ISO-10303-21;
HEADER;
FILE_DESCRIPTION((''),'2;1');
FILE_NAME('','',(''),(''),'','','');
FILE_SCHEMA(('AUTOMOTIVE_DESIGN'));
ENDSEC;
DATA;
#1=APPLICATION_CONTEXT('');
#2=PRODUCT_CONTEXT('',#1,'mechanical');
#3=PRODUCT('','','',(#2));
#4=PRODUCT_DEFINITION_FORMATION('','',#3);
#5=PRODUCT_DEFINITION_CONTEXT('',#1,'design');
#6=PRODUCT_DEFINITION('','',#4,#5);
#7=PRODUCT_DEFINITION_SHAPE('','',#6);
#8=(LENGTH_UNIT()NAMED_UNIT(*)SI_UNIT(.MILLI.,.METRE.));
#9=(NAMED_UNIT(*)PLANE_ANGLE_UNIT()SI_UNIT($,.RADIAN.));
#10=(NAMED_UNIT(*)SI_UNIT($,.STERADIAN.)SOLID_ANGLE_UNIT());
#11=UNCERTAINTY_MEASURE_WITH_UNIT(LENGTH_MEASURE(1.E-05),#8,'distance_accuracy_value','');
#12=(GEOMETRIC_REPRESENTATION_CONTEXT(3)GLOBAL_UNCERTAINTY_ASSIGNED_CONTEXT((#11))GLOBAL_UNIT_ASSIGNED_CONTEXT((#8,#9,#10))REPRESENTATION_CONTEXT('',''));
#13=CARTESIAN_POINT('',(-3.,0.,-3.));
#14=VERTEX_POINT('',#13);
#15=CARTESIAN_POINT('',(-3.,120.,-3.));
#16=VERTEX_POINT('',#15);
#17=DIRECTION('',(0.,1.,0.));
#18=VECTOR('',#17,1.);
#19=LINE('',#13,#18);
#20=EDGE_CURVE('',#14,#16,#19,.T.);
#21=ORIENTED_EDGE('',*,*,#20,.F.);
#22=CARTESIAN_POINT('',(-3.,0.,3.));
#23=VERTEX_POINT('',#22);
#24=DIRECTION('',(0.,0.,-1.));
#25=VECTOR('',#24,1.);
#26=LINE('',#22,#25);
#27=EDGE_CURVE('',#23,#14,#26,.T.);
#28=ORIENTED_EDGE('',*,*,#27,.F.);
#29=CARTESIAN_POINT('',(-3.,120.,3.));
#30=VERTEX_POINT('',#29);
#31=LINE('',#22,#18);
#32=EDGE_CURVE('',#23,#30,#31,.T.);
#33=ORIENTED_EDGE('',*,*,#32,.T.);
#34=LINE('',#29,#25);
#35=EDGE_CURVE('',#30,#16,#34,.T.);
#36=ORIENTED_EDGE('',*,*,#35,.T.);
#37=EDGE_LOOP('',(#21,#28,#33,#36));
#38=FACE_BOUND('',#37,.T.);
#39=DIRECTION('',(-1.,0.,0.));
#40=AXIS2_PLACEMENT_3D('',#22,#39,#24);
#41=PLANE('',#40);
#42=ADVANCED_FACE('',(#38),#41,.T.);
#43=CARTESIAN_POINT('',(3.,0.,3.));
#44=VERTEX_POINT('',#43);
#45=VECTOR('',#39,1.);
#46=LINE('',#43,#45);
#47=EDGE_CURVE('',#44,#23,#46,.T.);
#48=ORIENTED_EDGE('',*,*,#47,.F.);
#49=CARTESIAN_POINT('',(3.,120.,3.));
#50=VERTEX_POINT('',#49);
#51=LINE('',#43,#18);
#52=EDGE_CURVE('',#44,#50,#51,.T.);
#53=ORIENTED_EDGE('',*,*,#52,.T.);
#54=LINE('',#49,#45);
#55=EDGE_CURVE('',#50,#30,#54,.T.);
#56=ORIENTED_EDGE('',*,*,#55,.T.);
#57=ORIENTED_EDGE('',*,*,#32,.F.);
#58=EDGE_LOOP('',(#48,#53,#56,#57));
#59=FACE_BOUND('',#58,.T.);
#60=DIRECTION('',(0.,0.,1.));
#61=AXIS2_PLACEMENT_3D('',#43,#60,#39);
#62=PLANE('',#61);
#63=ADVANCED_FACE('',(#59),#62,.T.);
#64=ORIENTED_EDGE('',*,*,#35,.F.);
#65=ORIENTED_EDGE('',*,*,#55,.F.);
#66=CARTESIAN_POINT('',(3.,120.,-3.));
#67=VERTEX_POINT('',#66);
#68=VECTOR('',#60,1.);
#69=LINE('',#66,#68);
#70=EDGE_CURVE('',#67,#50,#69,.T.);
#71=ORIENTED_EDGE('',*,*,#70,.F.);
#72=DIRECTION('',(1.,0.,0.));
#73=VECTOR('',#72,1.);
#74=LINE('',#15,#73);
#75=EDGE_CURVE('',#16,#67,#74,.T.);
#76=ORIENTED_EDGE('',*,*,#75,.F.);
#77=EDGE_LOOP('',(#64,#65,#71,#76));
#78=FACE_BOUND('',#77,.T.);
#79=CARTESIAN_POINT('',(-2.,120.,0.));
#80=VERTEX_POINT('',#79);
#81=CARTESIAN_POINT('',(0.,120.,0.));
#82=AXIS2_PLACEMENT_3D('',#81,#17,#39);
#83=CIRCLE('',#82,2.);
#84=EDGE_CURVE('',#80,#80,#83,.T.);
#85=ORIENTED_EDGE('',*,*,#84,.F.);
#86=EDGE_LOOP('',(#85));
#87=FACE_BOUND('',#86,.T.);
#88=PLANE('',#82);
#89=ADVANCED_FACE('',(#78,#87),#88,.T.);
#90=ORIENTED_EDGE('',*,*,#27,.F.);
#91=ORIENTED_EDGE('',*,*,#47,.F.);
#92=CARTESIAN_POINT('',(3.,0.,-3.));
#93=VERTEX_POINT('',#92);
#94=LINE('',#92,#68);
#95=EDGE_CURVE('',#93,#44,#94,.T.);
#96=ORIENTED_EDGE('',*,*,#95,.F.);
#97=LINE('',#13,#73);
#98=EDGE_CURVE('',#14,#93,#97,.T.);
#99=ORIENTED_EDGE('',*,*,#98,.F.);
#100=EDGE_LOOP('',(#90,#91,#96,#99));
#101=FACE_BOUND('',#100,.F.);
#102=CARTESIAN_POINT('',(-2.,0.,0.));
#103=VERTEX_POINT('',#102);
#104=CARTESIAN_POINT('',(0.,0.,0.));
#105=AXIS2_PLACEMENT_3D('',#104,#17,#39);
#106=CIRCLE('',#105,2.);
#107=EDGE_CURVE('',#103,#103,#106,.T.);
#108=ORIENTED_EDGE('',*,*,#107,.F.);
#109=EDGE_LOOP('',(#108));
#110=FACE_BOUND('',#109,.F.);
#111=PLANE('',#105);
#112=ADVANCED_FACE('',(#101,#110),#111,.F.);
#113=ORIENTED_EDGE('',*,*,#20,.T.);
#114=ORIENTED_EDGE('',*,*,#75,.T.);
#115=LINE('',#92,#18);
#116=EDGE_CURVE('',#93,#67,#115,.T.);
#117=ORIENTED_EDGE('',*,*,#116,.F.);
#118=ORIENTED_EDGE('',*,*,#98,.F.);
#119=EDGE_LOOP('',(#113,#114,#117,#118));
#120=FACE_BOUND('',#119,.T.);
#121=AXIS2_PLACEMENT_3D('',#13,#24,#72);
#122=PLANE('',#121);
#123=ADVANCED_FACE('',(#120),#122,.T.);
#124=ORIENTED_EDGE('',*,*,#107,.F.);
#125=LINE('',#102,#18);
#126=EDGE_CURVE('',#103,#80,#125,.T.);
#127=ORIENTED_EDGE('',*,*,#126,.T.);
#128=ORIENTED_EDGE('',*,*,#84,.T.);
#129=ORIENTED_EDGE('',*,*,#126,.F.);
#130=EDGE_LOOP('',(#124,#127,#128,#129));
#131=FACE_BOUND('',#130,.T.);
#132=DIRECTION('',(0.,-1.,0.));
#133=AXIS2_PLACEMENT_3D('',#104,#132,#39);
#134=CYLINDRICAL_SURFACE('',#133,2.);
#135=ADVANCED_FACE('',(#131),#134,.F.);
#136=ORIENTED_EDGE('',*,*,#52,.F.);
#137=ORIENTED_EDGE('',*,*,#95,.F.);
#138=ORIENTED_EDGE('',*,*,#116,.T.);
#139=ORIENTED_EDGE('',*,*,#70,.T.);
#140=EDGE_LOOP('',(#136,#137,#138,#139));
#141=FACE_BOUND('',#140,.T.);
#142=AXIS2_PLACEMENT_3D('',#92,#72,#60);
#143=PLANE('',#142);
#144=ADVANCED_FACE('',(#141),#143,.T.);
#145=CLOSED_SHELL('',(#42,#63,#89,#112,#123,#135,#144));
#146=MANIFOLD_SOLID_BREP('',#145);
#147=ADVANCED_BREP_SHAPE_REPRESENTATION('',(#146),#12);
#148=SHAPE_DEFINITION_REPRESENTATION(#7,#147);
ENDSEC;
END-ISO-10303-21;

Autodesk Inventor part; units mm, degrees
ref_plane "YZ Plane" through (0, 0, 0) normal (1, 0, 0) x (0, 1, 0)
ref_plane "XZ Plane" through (0, 0, 0) normal (0, 1, 0) x (-1, 0, 0)
ref_plane "XY Plane" through (0, 0, 0) normal (0, 0, 1) x (1, 0, 0)
sketch "Sketch1" plane through (0, 0, 0) normal (0, 1, 0) x (-1, 0, 0)
  line L0 (3, 3) -> (3, -3)
  line L1 (3, -3) -> (-3, -3)
  line L2 (-3, -3) -> (-3, 3)
  line L3 (-3, 3) -> (3, 3)
  line L4 (3, 3) -> (-3, -3) construction
  line L5 (3, -3) -> (-3, 3) construction
  circle A0 centre (0, 0) radius 2
  dimension "d0" = 6
  dimension "d1" = 6
  dimension "d2" = 4
extrude "Extrusion1" add sketch "Sketch1" along normal blind 120
properties part number "carbon_fiber_1"
